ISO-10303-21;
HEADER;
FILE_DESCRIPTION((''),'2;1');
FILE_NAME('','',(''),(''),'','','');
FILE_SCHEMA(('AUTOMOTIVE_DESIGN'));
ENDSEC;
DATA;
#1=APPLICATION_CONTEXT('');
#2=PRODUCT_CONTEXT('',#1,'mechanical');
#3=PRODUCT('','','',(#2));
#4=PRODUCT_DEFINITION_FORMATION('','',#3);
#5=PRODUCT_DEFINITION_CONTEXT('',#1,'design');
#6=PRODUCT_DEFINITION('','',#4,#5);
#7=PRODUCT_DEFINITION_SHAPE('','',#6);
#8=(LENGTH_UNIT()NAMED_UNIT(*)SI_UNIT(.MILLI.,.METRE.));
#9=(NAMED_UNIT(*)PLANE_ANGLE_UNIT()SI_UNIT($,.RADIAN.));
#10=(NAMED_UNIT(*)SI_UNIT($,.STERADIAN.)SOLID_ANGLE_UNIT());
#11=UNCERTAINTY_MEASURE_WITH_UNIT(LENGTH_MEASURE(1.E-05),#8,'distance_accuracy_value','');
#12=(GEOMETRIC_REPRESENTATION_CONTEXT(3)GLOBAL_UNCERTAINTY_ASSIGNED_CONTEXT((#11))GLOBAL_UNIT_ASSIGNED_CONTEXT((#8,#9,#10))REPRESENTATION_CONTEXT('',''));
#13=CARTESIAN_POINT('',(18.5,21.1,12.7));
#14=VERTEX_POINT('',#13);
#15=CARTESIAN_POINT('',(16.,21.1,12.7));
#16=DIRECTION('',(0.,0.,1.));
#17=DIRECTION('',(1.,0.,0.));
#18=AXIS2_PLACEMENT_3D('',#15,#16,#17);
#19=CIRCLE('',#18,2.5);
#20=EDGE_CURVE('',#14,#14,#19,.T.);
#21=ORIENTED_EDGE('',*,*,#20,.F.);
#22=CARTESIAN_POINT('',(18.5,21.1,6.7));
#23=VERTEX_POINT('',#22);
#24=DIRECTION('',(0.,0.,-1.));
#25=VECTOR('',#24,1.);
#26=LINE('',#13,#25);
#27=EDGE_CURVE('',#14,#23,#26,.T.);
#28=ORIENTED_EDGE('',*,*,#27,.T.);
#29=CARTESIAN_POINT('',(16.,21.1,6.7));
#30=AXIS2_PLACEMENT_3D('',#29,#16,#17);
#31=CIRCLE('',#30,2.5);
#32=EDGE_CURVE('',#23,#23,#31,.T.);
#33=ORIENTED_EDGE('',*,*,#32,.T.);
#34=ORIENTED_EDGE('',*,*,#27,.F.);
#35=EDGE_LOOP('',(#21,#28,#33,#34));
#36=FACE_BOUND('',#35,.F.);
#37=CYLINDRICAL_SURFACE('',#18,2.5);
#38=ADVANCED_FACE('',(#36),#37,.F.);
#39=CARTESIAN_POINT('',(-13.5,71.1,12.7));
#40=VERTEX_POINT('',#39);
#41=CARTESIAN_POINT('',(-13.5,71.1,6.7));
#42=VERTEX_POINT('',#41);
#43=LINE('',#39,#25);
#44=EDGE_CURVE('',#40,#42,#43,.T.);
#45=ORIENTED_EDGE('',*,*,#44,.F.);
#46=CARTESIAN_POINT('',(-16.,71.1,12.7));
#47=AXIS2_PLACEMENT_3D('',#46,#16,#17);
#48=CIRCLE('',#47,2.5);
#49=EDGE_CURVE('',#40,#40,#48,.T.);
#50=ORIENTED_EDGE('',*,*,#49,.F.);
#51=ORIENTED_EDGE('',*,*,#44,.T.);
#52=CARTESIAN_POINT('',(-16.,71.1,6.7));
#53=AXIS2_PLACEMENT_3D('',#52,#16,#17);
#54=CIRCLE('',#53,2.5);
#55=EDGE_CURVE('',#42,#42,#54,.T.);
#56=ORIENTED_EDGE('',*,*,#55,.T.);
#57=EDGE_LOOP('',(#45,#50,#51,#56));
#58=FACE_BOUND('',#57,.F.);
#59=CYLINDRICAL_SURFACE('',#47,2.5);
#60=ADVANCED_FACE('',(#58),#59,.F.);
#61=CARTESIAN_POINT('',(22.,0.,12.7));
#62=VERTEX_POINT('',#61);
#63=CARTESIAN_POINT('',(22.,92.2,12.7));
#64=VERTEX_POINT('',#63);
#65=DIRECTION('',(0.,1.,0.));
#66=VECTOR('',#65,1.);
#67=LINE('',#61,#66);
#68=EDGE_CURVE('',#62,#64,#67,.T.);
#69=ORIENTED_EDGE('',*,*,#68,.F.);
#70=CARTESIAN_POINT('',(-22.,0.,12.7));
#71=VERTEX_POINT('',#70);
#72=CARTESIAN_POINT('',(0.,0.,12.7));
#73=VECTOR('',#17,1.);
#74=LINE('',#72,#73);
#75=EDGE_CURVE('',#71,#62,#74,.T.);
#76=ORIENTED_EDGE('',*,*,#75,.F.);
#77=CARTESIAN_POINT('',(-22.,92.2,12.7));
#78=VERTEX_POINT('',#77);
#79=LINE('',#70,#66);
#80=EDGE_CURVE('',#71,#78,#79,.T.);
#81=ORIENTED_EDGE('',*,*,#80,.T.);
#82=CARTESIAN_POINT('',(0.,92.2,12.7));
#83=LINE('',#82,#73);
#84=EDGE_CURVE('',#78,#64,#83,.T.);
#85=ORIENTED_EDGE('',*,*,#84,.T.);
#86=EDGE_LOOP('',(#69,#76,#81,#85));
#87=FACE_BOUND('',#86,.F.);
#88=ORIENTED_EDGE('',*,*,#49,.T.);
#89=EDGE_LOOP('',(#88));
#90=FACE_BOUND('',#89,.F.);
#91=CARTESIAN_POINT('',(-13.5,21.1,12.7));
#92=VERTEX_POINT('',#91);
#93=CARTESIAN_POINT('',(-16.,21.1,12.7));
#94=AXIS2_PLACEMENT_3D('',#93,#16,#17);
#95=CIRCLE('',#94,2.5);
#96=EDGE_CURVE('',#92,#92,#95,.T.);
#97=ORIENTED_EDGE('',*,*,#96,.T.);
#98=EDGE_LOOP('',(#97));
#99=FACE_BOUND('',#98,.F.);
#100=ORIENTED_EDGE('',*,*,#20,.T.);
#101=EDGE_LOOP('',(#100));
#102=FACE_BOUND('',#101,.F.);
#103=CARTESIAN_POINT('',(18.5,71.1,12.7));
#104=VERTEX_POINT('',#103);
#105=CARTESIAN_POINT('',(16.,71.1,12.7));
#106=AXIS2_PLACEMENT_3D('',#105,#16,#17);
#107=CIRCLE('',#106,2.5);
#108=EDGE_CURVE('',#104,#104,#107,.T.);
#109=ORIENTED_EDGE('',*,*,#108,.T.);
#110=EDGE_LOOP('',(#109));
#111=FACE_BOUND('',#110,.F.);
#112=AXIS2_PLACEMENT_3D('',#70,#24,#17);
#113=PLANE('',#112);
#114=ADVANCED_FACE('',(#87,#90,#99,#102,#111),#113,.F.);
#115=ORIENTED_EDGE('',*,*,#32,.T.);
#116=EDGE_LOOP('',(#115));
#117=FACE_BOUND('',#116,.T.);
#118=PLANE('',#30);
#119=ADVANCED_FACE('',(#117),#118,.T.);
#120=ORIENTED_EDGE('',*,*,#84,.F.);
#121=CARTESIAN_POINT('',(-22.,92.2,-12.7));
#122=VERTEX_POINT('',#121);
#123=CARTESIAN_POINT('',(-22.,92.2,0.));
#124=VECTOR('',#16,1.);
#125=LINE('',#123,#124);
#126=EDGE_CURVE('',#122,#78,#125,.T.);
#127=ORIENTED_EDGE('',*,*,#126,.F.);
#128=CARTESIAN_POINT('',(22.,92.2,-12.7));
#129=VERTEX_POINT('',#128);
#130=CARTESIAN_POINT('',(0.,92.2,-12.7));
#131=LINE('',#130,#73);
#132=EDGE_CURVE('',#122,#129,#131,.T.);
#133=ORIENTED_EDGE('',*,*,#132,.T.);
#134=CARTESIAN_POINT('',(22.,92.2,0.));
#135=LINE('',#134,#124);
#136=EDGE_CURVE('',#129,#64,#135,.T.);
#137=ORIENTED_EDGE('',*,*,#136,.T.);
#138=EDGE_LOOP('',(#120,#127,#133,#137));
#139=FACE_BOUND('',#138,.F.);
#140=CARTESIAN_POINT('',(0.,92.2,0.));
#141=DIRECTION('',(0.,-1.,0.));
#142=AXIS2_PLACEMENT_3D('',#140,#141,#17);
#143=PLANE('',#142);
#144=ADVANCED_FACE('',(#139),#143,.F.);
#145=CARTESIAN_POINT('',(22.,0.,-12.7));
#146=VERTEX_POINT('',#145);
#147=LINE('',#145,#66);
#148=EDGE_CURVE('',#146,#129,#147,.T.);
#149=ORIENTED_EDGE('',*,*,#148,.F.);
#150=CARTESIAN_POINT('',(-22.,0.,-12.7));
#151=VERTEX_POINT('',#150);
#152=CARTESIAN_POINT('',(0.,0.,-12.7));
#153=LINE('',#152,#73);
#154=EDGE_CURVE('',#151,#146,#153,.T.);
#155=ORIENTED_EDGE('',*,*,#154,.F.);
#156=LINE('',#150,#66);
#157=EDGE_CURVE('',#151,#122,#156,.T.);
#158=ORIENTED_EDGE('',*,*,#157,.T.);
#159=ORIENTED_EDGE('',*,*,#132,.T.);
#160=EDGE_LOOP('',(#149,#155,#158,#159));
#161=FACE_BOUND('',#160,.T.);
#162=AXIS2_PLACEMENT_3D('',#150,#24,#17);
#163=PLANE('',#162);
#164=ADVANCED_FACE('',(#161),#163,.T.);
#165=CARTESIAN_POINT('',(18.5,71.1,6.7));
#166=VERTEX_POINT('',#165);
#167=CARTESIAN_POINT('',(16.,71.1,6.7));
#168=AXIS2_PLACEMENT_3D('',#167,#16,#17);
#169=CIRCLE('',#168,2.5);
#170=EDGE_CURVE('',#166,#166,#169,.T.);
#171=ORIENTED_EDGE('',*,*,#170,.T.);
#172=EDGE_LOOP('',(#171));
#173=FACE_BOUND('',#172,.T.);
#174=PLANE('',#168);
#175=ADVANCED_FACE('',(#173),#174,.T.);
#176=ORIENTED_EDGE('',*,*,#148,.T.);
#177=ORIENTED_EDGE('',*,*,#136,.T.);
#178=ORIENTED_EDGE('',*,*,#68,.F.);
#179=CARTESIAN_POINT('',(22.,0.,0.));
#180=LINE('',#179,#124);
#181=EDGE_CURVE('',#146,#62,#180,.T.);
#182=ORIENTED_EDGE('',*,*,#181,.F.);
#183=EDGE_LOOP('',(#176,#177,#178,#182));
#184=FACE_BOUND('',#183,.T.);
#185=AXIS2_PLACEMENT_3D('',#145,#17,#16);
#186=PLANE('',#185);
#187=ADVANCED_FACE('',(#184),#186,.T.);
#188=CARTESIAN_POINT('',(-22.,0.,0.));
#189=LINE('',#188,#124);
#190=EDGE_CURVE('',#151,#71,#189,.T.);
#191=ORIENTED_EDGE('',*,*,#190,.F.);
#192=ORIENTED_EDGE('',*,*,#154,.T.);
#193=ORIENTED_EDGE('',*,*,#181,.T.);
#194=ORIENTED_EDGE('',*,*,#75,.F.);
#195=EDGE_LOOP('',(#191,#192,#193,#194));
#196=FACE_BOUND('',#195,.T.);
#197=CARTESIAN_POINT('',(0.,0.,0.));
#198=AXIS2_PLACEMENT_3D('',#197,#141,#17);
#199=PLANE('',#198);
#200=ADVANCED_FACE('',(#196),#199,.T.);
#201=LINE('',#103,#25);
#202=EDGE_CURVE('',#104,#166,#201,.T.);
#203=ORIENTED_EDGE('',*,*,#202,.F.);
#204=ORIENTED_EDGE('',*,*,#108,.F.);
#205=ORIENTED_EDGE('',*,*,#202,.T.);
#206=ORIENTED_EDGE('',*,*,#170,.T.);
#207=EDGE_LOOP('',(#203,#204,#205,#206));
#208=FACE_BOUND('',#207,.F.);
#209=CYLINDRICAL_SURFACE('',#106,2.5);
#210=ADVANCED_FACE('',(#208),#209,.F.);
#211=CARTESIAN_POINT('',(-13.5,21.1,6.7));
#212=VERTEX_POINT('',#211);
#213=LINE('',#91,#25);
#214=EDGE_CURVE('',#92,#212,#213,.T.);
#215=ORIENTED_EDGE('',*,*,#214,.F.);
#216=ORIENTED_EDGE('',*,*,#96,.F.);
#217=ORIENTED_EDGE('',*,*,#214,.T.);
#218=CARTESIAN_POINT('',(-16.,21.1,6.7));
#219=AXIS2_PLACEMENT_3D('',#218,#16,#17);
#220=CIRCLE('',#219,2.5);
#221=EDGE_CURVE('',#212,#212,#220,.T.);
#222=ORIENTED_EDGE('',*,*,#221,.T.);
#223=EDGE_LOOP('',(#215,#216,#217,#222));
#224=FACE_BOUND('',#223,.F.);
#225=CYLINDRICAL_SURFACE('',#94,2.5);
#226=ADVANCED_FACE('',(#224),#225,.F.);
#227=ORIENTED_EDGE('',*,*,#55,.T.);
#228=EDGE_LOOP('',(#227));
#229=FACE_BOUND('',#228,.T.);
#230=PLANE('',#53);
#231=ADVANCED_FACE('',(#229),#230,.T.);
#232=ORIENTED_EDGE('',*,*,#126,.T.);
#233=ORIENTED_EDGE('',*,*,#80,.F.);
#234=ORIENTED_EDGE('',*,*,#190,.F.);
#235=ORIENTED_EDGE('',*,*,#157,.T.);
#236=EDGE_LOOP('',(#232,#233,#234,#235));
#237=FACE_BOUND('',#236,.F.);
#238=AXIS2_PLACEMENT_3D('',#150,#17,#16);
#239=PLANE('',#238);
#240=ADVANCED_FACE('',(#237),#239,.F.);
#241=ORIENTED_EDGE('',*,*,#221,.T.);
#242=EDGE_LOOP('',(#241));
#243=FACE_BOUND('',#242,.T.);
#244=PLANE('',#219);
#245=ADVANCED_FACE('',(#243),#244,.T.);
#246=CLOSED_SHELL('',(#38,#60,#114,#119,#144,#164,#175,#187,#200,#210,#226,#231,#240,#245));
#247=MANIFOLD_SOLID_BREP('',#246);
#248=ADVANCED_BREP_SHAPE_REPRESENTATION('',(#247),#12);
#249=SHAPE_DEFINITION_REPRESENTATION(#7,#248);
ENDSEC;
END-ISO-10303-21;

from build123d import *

# Parameters (mm, degrees)
F0_W     = 44
F0_H     = 25.4
F1_DEPTH = 92.2
F2_R     = 2.5
F3_DEPTH = 6


with BuildPart() as f1:
    # F0 (on Front) → F1 (new body)
    with BuildSketch(Plane.XZ):
        Rectangle(F0_W, F0_H)
    extrude(amount=-F1_DEPTH)

    # F2 (on face) → F3 (cut)
    with BuildSketch(Plane.XY.offset(12.7)):
        with Locations((-16, 71.1)):
            Circle(F2_R)
        with Locations((-16, 21.1)):
            Circle(F2_R)
        with Locations((16, 21.1)):
            Circle(F2_R)
        with Locations((16, 71.1)):
            Circle(F2_R)
    extrude(amount=-F3_DEPTH, mode=Mode.SUBTRACT)


solid = f1.part
